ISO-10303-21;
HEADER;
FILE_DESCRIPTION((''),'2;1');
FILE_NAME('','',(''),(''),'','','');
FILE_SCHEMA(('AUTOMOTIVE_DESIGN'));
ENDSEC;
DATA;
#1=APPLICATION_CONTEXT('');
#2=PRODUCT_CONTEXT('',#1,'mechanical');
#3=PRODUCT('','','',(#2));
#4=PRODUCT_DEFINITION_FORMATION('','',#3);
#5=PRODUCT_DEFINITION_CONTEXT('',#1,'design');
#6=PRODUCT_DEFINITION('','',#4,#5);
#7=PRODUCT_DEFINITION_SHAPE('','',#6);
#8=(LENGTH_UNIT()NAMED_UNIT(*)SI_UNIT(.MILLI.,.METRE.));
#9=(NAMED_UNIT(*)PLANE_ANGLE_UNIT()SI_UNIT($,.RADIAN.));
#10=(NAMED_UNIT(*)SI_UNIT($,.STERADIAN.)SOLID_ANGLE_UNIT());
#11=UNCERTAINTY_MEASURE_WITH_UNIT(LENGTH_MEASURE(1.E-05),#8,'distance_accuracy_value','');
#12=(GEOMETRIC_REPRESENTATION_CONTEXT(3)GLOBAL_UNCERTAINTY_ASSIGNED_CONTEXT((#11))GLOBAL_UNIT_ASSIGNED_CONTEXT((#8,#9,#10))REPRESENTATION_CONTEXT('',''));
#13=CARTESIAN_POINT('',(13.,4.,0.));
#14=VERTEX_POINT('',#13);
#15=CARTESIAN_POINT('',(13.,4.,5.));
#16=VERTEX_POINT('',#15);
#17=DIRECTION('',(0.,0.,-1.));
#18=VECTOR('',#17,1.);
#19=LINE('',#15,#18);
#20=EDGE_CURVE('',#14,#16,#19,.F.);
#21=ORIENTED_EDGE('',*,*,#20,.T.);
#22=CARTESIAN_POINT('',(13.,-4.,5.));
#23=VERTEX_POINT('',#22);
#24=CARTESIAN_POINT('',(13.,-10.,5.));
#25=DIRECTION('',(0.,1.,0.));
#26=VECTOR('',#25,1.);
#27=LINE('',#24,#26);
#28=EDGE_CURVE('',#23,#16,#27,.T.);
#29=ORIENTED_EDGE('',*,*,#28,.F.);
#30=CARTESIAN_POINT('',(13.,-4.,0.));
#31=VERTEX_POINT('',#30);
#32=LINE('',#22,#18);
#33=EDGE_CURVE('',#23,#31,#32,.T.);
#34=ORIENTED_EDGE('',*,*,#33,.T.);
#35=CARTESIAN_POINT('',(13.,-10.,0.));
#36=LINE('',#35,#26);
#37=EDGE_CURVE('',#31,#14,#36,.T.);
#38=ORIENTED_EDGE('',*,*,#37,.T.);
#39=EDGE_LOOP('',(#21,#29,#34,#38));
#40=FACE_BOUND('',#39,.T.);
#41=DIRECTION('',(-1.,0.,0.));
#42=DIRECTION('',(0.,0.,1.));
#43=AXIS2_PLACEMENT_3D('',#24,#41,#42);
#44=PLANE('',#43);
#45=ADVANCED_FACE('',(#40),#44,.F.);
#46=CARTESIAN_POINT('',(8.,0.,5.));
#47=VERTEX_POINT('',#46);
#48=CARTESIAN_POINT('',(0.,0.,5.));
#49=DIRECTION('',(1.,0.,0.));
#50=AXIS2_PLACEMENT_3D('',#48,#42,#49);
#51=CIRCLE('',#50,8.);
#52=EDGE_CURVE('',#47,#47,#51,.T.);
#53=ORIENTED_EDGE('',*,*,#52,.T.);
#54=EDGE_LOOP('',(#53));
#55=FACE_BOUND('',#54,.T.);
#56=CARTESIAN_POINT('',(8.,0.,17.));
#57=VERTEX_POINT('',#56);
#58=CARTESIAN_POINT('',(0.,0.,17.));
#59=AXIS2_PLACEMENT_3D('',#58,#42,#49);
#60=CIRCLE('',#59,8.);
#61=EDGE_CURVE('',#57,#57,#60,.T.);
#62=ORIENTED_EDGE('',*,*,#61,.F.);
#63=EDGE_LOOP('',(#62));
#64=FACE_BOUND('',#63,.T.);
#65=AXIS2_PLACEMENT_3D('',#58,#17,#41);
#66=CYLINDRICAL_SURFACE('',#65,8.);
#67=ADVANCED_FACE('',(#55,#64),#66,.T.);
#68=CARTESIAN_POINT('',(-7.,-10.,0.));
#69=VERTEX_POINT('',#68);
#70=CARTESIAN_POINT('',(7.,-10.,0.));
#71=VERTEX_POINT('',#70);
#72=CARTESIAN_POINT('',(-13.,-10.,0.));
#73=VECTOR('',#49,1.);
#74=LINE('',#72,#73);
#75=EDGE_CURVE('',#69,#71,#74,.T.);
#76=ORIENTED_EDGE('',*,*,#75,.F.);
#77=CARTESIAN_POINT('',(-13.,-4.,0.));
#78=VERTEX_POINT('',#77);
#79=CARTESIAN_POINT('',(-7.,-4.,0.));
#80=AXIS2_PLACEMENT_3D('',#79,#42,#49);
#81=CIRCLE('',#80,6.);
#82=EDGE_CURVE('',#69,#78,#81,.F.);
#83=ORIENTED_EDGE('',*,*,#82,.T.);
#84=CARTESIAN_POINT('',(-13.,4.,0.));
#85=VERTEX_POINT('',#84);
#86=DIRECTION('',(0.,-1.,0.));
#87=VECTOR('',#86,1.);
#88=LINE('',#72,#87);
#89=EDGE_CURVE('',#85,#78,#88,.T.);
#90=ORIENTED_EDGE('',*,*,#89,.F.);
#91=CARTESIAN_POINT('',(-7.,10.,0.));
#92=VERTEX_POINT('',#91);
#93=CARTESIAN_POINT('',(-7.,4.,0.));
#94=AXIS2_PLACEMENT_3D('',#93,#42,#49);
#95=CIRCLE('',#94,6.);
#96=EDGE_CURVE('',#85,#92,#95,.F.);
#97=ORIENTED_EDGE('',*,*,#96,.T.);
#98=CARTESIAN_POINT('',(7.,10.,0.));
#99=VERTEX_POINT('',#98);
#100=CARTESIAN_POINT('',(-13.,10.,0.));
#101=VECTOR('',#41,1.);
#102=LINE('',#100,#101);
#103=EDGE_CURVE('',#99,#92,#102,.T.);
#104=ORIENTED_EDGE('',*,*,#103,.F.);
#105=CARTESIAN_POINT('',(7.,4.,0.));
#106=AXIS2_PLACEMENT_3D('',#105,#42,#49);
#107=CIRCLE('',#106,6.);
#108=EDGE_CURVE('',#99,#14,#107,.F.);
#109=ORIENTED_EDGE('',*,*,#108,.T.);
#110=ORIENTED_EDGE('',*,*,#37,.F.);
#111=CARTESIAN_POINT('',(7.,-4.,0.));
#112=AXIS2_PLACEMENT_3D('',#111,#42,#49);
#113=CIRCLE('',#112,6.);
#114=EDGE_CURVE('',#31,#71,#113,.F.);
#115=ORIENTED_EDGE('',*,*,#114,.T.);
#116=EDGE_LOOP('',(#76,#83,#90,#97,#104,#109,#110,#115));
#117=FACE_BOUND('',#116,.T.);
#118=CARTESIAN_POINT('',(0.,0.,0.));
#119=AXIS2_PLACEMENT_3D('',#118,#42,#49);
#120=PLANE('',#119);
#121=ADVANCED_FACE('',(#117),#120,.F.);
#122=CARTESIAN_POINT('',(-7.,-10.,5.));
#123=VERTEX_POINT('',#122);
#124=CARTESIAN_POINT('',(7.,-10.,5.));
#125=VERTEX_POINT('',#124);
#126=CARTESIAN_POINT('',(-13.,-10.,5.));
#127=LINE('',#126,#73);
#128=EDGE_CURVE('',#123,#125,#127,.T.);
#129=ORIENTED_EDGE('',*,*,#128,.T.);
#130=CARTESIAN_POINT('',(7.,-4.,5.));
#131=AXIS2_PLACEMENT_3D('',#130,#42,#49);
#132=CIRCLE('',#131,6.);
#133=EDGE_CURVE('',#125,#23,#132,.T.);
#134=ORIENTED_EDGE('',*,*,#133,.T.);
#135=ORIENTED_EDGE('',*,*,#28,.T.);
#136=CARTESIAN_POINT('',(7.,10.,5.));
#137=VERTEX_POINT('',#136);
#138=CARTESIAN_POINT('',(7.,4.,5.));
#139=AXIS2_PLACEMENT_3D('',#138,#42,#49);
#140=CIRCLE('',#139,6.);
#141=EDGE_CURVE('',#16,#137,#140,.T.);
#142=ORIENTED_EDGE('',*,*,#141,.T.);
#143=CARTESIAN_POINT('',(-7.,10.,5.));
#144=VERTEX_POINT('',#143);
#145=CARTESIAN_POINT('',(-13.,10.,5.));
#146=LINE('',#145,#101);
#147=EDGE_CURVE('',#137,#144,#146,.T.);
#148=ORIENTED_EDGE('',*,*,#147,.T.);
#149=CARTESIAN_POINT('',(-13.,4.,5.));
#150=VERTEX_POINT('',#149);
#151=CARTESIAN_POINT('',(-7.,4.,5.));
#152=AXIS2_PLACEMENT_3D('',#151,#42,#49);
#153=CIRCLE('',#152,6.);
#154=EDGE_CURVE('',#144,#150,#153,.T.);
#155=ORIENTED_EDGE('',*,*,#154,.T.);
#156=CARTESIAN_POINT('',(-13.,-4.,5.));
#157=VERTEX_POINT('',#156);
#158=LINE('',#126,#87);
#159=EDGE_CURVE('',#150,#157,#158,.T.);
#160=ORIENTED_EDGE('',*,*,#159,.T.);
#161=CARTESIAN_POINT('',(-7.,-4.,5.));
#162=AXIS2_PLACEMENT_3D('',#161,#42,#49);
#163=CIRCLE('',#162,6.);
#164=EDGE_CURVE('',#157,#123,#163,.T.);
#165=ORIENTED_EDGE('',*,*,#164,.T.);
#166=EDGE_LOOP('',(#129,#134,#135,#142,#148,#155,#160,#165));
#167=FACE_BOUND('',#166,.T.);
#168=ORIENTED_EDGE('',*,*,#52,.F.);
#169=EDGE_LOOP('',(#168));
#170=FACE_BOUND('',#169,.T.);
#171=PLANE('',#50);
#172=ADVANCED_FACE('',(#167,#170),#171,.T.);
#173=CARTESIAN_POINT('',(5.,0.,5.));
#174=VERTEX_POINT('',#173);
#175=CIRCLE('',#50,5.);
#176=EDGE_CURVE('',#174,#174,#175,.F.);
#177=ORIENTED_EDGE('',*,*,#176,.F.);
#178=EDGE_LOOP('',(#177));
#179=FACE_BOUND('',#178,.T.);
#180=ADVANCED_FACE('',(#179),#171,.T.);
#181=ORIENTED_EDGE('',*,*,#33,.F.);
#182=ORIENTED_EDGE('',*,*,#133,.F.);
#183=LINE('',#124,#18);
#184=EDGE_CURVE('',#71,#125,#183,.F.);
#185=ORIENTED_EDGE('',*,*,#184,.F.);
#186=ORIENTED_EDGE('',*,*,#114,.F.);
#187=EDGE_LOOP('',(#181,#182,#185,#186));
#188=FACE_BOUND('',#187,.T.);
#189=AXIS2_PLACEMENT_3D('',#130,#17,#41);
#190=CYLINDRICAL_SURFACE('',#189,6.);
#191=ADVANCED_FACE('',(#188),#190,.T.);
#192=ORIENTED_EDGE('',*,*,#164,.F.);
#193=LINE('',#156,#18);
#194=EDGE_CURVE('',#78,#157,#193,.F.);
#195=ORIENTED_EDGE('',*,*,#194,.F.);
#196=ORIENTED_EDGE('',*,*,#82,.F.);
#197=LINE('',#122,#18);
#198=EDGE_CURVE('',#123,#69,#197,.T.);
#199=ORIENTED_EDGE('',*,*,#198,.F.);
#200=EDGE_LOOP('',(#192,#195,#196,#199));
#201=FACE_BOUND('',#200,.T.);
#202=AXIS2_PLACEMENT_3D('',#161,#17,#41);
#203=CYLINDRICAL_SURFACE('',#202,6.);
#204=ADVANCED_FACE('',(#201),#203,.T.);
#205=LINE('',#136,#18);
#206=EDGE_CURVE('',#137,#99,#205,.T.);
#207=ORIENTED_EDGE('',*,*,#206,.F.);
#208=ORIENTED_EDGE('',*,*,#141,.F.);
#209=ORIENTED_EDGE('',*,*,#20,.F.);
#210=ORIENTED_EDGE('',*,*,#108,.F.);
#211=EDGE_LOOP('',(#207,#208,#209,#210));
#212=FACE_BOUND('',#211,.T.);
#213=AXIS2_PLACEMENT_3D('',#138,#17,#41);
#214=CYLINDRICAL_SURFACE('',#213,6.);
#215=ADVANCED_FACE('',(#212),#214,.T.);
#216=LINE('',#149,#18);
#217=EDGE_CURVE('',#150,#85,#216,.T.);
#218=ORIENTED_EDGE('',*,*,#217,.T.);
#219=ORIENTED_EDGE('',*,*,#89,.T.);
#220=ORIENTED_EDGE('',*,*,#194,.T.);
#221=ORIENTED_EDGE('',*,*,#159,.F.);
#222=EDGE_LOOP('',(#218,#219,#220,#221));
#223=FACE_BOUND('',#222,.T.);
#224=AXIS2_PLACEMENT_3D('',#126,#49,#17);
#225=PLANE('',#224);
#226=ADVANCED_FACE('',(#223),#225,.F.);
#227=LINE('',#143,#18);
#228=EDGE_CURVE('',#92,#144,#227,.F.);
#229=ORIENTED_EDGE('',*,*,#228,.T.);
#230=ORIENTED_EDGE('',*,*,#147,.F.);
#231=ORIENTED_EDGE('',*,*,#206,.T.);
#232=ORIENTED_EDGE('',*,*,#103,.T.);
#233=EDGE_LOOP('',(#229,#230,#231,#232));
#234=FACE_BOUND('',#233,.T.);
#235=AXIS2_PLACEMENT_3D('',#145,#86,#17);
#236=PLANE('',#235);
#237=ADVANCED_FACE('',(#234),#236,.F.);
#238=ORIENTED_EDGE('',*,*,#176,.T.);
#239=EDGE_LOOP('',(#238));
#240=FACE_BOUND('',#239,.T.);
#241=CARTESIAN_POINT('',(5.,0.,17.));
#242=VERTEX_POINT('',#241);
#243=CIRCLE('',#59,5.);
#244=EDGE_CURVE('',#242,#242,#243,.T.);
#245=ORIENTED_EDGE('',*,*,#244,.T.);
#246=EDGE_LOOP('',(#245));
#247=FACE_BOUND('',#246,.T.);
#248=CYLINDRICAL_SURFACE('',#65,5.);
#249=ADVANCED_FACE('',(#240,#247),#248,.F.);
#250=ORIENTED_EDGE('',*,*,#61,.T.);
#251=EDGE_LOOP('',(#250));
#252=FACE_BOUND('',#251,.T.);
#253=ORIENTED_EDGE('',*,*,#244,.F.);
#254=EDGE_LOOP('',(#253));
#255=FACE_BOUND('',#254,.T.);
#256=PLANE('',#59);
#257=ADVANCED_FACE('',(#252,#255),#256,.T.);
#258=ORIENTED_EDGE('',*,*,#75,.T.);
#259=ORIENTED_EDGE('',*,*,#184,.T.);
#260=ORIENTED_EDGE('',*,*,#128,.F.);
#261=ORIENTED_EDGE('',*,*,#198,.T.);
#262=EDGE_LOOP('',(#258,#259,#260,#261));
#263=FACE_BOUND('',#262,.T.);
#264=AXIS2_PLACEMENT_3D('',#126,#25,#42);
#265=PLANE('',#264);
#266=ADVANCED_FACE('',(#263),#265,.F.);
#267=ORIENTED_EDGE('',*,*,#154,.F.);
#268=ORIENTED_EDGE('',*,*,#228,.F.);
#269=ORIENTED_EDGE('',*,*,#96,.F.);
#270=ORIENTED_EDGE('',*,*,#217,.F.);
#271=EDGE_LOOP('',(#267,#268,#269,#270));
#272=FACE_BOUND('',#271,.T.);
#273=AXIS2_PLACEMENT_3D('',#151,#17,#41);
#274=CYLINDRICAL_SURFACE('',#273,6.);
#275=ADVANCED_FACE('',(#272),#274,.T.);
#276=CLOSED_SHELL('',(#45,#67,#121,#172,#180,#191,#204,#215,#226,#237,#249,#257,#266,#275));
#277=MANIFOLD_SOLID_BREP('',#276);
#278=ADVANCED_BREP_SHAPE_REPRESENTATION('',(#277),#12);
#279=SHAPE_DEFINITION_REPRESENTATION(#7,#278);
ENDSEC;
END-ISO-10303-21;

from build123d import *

# Parameters (mm, degrees)
SKETCH_1_W      = 26
SKETCH_1_H      = 20
EXTRUDE_1_DEPTH = 5
SKETCH_2_R      = 8
SKETCH_2_R_2    = 5
EXTRUDE_2_DEPTH = 12
FILLET_1_R      = 6


with BuildPart() as part:
    # 草图1 → 凸台-拉伸1 (new body)
    with BuildSketch(Plane.XY):
        Rectangle(SKETCH_1_W, SKETCH_1_H)
    extrude(amount=EXTRUDE_1_DEPTH)

    # 草图2 → 凸台-拉伸2 (add)
    with BuildSketch(Plane.XY.offset(5)):
        Circle(SKETCH_2_R)
        Circle(SKETCH_2_R_2, mode=Mode.SUBTRACT)
    extrude(amount=EXTRUDE_2_DEPTH)

    # 圆角1
    fillet_1_edges = [part.edges().sort_by_distance(p)[0] for p in [
        (13, 10, 2.5),
        (13, -10, 2.5),
        (-13, -10, 2.5),
        (-13, 10, 2.5),
    ]]
    fillet(fillet_1_edges, radius=FILLET_1_R)


solid = part.part
